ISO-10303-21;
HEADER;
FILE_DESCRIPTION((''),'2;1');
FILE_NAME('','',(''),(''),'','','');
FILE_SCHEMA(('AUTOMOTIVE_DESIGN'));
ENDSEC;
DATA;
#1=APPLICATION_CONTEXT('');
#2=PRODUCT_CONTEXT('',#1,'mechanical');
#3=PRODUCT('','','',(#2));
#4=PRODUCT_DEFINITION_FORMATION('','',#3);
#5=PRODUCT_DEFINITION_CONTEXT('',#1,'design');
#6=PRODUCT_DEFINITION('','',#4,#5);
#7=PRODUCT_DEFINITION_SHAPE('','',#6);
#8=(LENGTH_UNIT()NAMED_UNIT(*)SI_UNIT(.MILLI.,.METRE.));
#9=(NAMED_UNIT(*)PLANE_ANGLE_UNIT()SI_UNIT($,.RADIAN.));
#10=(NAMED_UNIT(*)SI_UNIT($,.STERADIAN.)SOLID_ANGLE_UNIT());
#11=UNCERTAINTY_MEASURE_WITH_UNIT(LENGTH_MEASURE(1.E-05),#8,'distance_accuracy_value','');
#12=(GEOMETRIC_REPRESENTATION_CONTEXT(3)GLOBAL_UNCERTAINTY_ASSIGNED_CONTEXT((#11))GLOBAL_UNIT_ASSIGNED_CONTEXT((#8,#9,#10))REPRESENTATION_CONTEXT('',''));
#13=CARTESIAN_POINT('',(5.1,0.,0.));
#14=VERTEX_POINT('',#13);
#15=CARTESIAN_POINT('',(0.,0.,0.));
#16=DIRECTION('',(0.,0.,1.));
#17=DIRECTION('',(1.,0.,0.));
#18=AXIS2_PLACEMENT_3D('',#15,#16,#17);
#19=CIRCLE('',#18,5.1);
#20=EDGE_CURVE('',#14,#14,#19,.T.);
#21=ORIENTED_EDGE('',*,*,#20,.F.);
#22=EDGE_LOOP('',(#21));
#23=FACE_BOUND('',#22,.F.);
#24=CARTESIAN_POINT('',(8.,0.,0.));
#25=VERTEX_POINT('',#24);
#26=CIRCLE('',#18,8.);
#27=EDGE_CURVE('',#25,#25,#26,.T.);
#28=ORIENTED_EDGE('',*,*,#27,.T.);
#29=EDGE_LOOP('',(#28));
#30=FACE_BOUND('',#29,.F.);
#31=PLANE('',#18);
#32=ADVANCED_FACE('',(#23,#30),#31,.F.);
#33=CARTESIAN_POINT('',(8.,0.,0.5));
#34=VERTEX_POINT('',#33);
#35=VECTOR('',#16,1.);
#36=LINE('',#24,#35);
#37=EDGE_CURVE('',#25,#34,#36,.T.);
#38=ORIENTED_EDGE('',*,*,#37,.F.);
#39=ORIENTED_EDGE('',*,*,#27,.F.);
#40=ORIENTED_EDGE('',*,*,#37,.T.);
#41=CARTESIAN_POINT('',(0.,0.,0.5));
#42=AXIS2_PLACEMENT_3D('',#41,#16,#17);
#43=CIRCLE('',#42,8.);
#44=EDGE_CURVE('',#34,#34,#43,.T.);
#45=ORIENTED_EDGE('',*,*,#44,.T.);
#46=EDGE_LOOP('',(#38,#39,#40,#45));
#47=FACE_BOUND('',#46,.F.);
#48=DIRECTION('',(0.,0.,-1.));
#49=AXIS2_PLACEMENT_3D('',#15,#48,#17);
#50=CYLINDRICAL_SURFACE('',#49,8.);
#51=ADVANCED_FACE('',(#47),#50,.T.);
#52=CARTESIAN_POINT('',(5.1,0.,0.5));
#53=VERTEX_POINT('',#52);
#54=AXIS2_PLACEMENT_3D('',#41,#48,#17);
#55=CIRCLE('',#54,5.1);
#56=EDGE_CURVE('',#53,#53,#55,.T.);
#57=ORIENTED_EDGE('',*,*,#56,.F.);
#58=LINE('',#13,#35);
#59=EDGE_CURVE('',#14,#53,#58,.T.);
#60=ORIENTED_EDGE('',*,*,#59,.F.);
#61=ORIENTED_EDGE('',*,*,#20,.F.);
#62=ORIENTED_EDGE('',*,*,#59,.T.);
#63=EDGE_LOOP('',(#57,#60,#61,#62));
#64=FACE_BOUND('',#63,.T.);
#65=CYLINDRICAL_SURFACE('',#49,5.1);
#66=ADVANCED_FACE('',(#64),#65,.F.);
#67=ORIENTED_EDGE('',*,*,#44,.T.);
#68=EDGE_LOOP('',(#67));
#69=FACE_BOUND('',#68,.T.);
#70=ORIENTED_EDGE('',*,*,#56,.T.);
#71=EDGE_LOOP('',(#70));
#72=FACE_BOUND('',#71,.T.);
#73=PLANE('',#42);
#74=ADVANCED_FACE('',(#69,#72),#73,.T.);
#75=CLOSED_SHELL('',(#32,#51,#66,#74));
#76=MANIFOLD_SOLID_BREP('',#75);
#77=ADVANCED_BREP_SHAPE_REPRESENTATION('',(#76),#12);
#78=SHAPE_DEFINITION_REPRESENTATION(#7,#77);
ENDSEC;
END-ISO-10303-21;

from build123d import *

# Parameters (mm, degrees)
CYLINDER011_R     = 5.1
CYLINDER011_DEPTH = 10
CYLINDER006_R     = 8
CYLINDER006_DEPTH = 0.5


with BuildPart() as cylinder011:
    # Cylinder011 → Cylinder011 (new body)
    with BuildSketch(Plane.XY):
        Circle(CYLINDER011_R)
    extrude(amount=CYLINDER011_DEPTH)


with BuildPart() as small_blue:
    # Cylinder006 → Cylinder006 (new body)
    with BuildSketch(Plane.XY):
        Circle(CYLINDER006_R)
    extrude(amount=CYLINDER006_DEPTH)

    # Cut003: cut Cylinder011
    add(cylinder011.part, mode=Mode.SUBTRACT)


solid = small_blue.part
